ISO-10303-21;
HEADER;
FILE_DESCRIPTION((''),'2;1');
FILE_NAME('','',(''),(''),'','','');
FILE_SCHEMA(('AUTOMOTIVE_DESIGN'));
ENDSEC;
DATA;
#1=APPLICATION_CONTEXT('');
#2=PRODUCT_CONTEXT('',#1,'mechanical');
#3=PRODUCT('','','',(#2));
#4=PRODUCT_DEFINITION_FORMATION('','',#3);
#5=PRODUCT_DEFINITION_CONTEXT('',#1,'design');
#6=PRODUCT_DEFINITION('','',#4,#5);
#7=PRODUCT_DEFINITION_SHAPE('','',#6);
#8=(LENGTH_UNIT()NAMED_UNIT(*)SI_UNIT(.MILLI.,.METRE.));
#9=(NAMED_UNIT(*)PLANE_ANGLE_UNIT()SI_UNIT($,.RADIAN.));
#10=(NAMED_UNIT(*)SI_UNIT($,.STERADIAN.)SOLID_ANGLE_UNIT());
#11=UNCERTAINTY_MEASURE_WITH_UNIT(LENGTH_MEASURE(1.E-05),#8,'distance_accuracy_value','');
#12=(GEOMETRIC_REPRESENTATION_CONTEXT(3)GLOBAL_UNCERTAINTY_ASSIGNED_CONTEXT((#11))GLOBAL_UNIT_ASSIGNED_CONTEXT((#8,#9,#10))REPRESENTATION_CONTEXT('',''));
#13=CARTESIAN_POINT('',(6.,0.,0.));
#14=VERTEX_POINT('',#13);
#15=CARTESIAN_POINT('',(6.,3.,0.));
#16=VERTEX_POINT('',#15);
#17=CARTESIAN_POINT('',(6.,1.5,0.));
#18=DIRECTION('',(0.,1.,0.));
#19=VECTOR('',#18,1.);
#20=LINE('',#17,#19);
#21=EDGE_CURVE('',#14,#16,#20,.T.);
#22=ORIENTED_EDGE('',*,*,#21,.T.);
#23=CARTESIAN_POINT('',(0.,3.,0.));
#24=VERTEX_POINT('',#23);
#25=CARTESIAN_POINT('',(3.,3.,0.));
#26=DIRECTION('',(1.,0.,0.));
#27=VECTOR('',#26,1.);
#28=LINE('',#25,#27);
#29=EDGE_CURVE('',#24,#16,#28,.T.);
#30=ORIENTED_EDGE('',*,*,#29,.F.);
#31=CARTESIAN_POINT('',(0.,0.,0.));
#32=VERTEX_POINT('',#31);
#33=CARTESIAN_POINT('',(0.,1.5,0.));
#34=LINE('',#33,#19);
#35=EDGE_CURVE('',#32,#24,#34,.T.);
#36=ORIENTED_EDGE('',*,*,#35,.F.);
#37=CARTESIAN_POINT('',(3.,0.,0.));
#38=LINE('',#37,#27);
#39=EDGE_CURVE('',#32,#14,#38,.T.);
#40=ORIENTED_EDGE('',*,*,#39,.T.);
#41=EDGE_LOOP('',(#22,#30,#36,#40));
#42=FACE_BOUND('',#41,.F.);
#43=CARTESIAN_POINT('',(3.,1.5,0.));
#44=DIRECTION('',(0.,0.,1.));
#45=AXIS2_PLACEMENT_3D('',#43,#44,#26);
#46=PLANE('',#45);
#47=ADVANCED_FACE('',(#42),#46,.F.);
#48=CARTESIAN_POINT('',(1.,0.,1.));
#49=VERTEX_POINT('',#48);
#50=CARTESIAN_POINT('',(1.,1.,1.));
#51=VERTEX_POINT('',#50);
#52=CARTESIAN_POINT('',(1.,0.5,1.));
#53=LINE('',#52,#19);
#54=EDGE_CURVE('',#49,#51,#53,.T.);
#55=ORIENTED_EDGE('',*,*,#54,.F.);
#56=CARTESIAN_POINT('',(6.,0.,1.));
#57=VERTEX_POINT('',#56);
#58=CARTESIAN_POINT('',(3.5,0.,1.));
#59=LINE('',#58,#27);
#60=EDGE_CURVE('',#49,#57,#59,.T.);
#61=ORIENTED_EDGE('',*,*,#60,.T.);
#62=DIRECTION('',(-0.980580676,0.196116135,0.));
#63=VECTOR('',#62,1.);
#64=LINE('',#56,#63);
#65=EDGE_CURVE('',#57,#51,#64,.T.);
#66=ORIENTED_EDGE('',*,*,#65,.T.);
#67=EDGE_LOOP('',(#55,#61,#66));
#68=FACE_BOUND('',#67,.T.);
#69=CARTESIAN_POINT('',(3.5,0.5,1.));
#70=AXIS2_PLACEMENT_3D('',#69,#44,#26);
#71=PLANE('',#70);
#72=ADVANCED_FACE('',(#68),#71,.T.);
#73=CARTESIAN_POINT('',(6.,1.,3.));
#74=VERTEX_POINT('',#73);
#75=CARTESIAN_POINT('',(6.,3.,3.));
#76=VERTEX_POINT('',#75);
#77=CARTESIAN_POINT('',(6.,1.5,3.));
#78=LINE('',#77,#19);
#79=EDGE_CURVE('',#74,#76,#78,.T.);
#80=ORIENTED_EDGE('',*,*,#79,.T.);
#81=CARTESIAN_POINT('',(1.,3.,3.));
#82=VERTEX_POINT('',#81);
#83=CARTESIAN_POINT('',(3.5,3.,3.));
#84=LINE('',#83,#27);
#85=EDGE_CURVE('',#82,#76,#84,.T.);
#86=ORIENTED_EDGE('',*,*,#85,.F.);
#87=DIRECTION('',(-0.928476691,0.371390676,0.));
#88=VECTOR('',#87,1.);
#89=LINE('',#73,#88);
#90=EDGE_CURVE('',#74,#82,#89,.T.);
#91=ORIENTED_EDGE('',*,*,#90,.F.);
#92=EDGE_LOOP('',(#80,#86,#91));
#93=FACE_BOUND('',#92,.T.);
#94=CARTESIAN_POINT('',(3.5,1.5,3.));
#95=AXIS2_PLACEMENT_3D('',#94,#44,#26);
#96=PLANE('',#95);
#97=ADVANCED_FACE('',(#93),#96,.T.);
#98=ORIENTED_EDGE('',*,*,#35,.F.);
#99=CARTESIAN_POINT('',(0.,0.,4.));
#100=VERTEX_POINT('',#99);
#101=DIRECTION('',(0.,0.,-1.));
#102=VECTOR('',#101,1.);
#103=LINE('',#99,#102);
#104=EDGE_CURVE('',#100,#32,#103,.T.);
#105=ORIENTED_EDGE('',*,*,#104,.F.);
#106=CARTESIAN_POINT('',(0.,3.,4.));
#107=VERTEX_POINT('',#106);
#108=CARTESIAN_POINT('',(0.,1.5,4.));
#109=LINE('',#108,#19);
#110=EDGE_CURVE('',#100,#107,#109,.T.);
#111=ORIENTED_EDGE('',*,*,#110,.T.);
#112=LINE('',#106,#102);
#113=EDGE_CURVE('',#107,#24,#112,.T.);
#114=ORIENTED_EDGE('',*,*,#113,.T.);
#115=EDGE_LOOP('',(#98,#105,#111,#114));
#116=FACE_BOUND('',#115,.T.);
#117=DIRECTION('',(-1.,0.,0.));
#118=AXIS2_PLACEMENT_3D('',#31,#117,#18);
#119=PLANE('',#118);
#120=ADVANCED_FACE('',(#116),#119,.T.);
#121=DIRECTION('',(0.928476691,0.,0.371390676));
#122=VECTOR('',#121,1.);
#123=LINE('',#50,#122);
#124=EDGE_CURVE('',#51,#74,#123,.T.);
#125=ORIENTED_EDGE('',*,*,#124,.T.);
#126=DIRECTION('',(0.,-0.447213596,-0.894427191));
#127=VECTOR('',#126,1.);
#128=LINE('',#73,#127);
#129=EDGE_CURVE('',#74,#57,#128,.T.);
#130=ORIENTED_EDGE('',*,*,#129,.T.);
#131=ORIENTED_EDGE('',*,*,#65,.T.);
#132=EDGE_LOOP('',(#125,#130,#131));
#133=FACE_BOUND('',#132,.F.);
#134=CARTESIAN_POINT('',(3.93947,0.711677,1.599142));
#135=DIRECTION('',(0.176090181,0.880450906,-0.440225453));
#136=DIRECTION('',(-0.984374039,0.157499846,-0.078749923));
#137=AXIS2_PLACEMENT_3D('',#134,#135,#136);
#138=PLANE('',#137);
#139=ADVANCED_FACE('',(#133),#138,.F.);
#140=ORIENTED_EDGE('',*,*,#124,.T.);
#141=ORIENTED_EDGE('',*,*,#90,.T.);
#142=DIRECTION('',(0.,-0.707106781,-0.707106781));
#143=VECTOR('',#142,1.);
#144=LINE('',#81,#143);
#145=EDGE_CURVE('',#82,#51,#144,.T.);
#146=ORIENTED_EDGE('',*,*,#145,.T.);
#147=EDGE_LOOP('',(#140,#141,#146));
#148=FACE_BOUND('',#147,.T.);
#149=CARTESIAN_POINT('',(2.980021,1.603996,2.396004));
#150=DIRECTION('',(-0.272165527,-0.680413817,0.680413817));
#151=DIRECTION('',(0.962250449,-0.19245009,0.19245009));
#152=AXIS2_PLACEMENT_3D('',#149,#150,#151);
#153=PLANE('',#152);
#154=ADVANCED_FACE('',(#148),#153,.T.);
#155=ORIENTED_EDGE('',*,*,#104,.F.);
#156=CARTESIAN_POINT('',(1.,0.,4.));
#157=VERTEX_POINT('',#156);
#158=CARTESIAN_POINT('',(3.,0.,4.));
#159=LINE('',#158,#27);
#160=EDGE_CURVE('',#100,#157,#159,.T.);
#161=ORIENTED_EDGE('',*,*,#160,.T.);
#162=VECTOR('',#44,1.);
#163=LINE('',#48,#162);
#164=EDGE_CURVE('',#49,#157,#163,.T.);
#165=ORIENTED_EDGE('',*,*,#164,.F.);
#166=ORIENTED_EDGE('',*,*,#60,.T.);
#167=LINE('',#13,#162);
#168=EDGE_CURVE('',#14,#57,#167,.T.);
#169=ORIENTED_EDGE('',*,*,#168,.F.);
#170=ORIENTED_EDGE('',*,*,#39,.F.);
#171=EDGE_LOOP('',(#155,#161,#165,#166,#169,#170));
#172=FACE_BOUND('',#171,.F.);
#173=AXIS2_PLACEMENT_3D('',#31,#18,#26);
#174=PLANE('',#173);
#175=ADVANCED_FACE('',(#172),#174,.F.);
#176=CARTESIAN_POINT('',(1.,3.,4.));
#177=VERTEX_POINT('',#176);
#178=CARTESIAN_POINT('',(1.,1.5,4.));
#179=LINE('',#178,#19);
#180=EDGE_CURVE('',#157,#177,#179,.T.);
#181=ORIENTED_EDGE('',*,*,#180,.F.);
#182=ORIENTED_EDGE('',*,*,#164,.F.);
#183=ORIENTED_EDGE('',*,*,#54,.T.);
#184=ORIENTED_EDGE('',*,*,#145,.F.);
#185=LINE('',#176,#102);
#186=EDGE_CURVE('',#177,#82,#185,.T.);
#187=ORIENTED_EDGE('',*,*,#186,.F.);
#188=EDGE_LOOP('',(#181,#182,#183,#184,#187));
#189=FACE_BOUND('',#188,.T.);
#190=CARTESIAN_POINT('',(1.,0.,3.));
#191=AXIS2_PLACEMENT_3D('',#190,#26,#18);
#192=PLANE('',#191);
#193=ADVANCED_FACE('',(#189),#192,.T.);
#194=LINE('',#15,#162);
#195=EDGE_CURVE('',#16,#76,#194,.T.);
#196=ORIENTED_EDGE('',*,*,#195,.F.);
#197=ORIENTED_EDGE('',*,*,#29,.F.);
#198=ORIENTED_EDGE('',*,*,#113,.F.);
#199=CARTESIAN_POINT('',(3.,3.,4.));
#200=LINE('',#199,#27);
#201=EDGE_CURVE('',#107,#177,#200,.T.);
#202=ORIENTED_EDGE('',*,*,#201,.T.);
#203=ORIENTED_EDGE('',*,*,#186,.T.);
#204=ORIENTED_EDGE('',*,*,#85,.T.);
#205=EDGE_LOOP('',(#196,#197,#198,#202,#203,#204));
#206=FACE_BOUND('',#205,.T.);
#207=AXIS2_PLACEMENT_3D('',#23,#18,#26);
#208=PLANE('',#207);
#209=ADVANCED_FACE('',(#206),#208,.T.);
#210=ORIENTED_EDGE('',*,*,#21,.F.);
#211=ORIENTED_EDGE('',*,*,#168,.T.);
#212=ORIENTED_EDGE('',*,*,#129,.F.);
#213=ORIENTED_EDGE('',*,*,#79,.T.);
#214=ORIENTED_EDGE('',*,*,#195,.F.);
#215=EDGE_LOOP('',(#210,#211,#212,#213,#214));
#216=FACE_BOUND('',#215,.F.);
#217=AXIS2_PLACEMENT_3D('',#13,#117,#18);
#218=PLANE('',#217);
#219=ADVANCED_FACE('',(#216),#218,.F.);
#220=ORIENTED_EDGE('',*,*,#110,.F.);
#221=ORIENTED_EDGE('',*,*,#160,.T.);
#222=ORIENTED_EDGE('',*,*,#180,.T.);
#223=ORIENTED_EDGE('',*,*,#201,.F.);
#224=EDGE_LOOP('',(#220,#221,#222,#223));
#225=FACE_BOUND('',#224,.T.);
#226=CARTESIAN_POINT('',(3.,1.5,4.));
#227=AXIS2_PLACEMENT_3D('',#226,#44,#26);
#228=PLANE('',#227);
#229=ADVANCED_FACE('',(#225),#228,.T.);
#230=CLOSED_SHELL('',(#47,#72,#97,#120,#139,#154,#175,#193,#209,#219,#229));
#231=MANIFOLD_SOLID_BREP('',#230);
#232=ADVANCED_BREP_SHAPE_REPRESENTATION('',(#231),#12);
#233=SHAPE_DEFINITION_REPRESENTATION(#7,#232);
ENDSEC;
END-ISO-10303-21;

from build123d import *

# Parameters (mm, degrees)
F0_W      = 6
F0_H      = 3
F1_DEPTH  = 4
F2_W      = 5
F2_H      = 3
F3_DEPTH  = 1
F4_W      = 5
F4_H      = 1
F5_DEPTH  = 2
F10_DEPTH = 1
F11_W     = 3
F11_H     = 3
F12_DEPTH = 25
F13_DEPTH = 1
F14_W     = 3
F14_H     = 3
F15_DEPTH = 1
F16_W     = 0.5303061543
F16_H     = 0.5303061543
F17_DEPTH = 1.4


with BuildPart() as f1:
    # F0 (on Top) → F1 (new body)
    with BuildSketch(Plane.XY):
        with Locations((3, 1.5)):
            Rectangle(F0_W, F0_H)
    extrude(amount=F1_DEPTH)

    # F2 (on face) → F3 (cut)
    with BuildSketch(Plane.XY.offset(4)):
        with Locations((3.5, 1.5)):
            Rectangle(F2_W, F2_H)
    extrude(amount=-F3_DEPTH, mode=Mode.SUBTRACT)

    # F4 (on face) → F5 (cut)
    with BuildSketch(Plane.XY.offset(3)):
        with Locations((3.5, 0.5)):
            Rectangle(F4_W, F4_H)
    extrude(amount=-F5_DEPTH, mode=Mode.SUBTRACT)

    # F9 (on 3pt) → F10 (join)
    with BuildSketch(Plane(origin=(0.1085271318, 0.5426356589, -0.2713178295), x_dir=(-0.9843740387, 0.1574998462, -0.0787499231), z_dir=(0.1760901813, 0.8804509063, -0.4402254532))):
        Polygon((-5.9849941553, 0.894427191), (-0.9056241156, 1.3416407865), (-5.9849941553, 3.1304951685), align=None)
    extrude(amount=F10_DEPTH)

    # F11 (on face) → F12 (cut)
    with BuildSketch(Plane.YZ.offset(6)):
        with Locations((1.5, 1.5)):
            Rectangle(F11_W, F11_H)
    extrude(amount=F12_DEPTH, mode=Mode.SUBTRACT)

    # F7 (on 3pt) → F13 (cut)
    with BuildSketch(Plane(origin=(0.0740740741, 0.1851851852, -0.1851851852), x_dir=(0.9622504486, -0.1924500897, 0.1924500897), z_dir=(-0.272165527, -0.6804138174, 0.6804138174))):
        Polygon((6.1584028714, 2.8284271247), (0.9622504486, 4.2426406871), (0.9622504486, 1.4142135624), align=None)
    extrude(amount=F13_DEPTH, mode=Mode.SUBTRACT)

    # F14 (on face) → F15 (join)
    with BuildSketch(Plane.YZ.offset(1)):
        with Locations((1.5, 2.5)):
            Rectangle(F14_W, F14_H)
    extrude(amount=-F15_DEPTH)

    # F16 (on face) → F17 (cut)
    with BuildSketch(Plane.YZ.offset(1)):
        with Locations((1.2651530772, 2.7348469228)):
            Rectangle(F16_W, F16_H)
    extrude(amount=F17_DEPTH, mode=Mode.SUBTRACT)


solid = f1.part
